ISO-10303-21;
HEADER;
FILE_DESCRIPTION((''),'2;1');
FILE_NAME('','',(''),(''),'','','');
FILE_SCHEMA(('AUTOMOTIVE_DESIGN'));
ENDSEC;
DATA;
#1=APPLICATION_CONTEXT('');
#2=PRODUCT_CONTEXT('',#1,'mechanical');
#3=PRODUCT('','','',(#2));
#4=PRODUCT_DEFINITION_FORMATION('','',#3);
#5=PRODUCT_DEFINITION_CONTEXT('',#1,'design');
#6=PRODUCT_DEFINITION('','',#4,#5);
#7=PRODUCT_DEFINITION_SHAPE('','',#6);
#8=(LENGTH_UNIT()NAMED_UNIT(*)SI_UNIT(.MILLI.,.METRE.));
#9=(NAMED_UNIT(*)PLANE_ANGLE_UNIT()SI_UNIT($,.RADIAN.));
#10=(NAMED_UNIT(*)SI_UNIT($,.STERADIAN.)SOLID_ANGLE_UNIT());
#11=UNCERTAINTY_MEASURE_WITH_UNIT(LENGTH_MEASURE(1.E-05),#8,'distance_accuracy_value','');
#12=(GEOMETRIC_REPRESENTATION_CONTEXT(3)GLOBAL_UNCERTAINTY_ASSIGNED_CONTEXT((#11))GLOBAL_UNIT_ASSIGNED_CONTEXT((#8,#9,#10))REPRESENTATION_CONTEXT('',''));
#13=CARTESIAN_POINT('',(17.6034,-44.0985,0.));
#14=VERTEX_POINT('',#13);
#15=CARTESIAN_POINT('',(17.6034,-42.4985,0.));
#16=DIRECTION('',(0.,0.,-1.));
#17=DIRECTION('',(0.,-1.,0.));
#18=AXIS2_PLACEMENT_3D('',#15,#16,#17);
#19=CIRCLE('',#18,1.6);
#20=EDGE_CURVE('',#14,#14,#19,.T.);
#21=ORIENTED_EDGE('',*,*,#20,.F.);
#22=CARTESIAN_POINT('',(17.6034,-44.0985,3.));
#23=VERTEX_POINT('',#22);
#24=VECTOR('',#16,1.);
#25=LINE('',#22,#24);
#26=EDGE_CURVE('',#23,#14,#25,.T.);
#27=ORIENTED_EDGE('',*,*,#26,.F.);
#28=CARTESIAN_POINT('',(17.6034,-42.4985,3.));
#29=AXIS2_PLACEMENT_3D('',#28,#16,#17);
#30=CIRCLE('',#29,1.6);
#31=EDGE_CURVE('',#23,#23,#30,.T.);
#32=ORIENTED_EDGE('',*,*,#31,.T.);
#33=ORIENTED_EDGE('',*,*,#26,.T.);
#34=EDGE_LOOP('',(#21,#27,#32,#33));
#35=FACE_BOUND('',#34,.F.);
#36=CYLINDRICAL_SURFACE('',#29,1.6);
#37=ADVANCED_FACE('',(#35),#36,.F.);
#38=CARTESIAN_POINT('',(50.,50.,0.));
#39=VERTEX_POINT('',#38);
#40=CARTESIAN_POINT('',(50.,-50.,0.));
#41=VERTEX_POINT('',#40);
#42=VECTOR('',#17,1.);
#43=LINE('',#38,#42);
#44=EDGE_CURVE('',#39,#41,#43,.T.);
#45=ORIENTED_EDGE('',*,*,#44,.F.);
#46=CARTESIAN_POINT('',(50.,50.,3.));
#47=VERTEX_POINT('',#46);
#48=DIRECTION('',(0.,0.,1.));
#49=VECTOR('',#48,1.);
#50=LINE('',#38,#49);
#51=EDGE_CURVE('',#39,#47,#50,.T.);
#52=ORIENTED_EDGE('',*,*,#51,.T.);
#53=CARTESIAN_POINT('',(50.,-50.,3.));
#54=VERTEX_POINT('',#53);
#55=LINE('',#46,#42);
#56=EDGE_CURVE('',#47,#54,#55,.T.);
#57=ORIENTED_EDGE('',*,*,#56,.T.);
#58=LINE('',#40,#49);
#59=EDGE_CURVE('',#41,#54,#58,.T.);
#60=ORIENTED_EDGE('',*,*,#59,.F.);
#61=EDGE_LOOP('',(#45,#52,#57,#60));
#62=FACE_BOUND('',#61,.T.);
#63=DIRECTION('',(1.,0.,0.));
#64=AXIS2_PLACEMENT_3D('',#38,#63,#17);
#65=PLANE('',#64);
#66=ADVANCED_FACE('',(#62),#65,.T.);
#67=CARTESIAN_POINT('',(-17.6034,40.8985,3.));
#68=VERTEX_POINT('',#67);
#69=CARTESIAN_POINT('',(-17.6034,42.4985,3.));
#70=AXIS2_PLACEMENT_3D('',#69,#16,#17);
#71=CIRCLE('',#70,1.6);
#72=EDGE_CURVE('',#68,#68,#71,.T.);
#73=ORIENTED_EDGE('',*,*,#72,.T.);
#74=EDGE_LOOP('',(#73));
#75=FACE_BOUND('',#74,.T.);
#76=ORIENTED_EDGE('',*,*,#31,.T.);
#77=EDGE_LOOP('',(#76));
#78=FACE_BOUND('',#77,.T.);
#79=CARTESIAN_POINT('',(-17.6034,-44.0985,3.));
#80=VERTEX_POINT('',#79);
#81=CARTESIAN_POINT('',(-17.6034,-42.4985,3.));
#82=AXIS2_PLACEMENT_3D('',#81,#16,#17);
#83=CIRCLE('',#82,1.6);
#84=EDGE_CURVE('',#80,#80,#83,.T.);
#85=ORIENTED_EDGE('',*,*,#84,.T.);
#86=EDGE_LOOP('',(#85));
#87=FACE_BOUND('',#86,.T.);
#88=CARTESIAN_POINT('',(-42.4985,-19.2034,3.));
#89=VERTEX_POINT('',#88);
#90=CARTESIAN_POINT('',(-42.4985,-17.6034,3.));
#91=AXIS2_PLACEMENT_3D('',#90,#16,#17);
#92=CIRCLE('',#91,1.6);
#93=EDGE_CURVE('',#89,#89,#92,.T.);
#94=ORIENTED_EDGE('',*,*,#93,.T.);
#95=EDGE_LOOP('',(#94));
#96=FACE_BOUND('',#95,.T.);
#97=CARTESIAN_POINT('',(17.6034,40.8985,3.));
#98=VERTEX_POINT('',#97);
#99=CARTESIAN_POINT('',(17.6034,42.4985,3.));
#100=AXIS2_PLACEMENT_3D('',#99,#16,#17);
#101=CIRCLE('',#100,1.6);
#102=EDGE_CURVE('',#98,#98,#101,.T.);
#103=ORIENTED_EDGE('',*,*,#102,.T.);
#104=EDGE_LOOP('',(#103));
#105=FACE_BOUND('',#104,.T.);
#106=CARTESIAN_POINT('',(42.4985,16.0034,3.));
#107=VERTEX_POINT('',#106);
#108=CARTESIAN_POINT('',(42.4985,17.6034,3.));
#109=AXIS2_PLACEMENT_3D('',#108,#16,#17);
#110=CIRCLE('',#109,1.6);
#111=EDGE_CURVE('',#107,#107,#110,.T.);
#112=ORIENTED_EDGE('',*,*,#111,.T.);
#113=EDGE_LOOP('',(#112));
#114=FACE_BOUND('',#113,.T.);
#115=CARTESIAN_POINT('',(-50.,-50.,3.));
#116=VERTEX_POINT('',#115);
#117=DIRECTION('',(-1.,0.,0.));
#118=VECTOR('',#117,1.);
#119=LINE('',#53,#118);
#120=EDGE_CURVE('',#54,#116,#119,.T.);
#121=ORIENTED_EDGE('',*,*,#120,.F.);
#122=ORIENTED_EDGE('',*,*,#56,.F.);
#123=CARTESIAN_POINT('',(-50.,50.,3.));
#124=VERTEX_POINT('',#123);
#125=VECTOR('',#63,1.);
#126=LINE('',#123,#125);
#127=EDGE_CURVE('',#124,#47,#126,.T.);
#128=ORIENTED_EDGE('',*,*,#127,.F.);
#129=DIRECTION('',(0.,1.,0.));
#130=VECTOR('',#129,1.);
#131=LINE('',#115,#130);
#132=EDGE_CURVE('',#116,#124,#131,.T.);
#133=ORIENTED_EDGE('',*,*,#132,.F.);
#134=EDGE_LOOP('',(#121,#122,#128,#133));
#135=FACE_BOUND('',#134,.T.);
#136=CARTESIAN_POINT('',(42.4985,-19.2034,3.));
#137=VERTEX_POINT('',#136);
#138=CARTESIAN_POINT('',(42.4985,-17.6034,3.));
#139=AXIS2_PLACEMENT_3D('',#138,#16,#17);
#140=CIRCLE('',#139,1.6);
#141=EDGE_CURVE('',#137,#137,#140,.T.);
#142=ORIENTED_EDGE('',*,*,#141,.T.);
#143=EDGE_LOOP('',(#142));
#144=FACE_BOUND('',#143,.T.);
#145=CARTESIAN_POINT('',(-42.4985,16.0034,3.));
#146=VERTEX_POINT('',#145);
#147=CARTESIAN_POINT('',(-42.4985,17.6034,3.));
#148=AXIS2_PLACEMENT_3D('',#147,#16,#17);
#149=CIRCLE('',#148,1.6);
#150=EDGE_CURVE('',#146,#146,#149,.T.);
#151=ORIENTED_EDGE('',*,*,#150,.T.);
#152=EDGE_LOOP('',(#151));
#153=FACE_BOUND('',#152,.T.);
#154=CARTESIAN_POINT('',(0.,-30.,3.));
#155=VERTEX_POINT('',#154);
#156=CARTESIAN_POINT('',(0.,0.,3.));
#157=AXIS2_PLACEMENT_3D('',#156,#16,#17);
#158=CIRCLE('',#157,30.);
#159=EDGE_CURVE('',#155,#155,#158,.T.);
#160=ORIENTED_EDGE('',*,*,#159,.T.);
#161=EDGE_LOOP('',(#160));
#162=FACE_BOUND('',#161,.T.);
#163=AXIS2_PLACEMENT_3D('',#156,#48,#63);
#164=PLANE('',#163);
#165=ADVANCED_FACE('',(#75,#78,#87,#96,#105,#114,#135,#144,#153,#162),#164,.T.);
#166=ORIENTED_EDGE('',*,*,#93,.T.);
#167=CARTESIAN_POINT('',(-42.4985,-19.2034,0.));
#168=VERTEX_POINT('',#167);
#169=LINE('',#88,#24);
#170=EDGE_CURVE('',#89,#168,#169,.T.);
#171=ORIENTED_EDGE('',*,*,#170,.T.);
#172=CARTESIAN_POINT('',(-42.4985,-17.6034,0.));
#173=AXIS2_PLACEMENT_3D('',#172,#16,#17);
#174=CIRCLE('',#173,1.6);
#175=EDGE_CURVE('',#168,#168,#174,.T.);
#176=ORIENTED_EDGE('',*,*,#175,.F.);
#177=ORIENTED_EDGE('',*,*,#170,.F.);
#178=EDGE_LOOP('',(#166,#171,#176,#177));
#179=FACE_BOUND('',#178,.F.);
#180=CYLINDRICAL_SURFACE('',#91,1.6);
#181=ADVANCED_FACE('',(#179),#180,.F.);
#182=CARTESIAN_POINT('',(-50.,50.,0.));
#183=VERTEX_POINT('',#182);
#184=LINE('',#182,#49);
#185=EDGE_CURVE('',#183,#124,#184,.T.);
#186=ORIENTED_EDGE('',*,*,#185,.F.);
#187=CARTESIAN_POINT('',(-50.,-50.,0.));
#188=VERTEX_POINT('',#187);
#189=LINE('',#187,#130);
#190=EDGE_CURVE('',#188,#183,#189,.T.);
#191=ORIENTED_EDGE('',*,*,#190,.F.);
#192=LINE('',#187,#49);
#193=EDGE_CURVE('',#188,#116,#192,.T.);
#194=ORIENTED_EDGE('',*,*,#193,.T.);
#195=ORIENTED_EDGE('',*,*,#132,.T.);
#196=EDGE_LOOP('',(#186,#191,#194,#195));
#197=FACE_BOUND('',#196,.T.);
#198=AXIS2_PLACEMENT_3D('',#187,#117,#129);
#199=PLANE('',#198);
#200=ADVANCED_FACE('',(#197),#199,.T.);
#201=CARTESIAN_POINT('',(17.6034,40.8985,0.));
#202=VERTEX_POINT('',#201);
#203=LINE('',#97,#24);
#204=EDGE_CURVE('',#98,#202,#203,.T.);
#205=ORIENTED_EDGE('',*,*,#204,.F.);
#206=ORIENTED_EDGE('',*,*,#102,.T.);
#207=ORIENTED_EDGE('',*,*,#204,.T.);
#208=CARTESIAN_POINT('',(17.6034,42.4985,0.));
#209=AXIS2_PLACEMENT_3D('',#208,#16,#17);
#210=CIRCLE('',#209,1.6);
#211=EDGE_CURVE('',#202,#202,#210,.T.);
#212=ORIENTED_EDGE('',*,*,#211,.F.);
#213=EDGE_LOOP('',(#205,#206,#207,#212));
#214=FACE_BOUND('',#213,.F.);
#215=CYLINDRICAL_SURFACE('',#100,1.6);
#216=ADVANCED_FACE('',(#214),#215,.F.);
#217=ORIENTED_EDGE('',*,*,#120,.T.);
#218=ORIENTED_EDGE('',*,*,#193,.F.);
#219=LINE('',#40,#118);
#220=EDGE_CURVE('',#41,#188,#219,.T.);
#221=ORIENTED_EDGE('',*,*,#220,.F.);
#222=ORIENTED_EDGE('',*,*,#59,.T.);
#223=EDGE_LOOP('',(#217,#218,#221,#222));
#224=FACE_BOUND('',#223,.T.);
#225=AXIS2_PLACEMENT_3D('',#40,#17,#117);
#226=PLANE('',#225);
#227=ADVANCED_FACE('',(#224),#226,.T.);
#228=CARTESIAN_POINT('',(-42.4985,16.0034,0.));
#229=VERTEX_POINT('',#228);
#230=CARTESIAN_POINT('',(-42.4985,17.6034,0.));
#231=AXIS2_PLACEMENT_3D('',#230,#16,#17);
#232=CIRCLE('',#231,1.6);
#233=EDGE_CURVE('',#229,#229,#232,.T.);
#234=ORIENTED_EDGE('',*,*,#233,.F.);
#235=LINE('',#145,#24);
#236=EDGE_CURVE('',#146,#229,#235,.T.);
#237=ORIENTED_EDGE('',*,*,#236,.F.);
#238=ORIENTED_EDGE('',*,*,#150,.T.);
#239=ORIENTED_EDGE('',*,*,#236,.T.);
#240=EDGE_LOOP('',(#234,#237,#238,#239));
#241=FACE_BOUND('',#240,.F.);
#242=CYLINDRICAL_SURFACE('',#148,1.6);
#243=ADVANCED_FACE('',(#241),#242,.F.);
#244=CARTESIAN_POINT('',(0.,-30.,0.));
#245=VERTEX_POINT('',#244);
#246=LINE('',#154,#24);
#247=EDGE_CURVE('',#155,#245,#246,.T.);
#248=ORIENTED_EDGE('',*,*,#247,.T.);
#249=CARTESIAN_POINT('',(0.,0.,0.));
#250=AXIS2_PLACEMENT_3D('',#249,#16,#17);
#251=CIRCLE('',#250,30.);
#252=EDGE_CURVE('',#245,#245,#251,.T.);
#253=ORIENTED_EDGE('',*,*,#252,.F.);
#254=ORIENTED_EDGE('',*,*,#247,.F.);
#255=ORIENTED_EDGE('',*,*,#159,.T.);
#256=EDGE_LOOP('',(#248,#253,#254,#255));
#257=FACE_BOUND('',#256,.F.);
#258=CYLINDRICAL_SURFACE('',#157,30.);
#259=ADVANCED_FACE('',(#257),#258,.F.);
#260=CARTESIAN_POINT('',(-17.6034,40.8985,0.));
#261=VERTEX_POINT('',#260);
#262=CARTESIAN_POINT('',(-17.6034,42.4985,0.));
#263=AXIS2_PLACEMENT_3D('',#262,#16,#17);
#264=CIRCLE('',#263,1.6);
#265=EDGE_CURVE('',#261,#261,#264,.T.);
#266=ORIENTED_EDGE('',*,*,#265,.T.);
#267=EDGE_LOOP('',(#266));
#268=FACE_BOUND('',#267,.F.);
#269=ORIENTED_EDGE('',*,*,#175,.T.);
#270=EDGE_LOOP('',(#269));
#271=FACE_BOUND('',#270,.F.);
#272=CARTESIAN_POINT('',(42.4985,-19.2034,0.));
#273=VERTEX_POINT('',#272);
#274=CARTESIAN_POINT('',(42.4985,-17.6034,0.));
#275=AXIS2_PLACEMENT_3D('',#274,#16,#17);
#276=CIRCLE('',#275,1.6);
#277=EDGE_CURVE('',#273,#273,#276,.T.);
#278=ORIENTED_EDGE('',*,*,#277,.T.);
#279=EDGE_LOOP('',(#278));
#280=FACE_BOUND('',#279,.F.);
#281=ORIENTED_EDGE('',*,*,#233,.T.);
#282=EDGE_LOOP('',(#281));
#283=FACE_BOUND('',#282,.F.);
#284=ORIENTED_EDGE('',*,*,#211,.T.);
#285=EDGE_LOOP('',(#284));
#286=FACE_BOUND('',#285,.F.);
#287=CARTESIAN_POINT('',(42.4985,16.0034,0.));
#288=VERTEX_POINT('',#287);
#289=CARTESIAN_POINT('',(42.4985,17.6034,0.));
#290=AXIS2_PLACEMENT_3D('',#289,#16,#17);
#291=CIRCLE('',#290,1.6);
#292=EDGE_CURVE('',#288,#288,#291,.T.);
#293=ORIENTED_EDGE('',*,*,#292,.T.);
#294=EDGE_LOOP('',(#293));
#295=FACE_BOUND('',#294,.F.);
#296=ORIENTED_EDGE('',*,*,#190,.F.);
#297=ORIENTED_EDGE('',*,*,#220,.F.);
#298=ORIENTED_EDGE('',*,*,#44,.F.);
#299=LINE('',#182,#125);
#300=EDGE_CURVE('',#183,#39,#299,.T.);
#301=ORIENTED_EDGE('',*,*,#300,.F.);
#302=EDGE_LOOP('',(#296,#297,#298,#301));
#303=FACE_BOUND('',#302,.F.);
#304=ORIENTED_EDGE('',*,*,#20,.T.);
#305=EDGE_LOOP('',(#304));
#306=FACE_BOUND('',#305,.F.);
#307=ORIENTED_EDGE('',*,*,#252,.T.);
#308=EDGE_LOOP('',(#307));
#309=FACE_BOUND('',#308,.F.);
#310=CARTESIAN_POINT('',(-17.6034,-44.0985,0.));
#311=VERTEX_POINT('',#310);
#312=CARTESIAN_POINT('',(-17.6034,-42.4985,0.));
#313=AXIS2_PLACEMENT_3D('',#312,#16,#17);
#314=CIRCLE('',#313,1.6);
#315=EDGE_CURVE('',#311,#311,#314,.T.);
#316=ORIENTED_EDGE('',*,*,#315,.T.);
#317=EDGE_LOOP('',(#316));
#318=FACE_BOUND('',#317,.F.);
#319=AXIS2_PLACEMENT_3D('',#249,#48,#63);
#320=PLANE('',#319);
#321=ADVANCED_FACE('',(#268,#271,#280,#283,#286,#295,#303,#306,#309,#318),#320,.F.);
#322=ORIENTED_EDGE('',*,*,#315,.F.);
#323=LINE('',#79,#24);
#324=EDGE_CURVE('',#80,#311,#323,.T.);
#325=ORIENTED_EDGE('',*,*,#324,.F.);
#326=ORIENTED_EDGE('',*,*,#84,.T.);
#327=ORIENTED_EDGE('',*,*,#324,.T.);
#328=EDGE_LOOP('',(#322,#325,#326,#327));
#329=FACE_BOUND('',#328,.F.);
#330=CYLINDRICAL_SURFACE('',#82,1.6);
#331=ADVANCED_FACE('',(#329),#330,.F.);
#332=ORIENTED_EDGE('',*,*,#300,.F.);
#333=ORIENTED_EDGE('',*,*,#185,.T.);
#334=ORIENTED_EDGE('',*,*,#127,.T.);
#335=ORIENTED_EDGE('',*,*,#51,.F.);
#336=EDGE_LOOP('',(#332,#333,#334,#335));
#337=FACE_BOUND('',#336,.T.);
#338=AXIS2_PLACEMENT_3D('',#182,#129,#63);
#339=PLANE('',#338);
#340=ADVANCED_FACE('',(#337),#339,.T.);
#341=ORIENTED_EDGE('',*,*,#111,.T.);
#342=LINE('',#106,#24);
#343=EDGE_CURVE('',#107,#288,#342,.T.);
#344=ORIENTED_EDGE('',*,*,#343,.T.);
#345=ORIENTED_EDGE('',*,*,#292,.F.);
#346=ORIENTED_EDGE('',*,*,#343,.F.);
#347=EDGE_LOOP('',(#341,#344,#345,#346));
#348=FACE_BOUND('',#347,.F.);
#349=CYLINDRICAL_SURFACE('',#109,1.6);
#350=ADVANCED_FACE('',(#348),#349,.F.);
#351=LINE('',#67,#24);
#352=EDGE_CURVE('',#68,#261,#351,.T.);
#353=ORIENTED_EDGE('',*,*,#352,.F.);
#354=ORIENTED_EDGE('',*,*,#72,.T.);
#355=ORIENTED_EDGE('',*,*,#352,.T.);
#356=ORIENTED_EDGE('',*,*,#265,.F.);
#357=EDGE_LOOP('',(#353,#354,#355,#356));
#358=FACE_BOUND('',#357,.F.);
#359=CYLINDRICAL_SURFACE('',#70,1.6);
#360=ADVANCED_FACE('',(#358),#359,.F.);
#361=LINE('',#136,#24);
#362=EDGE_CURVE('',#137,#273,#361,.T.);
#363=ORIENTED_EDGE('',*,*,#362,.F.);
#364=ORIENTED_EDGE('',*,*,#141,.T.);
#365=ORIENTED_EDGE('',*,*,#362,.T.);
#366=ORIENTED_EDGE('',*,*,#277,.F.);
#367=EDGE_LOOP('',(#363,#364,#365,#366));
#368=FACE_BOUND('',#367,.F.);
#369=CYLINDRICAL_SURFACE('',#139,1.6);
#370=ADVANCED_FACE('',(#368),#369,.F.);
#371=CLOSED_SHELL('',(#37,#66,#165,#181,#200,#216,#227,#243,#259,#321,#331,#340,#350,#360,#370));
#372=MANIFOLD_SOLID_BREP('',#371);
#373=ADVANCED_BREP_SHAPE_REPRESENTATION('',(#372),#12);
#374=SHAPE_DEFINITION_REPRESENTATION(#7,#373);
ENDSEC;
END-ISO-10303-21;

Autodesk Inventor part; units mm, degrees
ref_plane "YZ Plane" through (0, 0, 0) normal (1, 0, 0) x (0, 1, 0)
ref_plane "XZ Plane" through (0, 0, 0) normal (0, 1, 0) x (-1, 0, 0)
ref_plane "XY Plane" through (0, 0, 0) normal (0, 0, 1) x (1, 0, 0)
sketch "スケッチ1" plane through (0, 0, 0) normal (0, 0, 1) x (1, 0, 0)
  line L0 (-50, 50) -> (50, 50)
  line L1 (50, 50) -> (50, -50)
  line L2 (50, -50) -> (-50, -50)
  line L3 (-50, -50) -> (-50, 50)
  line L4 (0, 0) -> (0, 50) construction
  line L5 (0, 0) -> (50, 0) construction
  dimension "d0" = 100
  dimension "d1" = 100
extrude "押し出し1" add sketch "スケッチ1" along normal blind 3
sketch "スケッチ2" plane through (0, 0, 3) normal (0, 0, 1) x (1, 0, 0)
  point P0 (0, 0)
  point P1 (0, 0)
hole "穴1" at (0, 0, 3) direction (0, 0, -1) diameter 60 end through all
sketch "スケッチ3" plane through (0, 0, 3) normal (0, 0, 1) x (1, 0, 0)
  line L0 (0, 0) -> (0, 50) construction
  line L1 (50, 50) -> (-50, 50) projected
  line L2 (0, 0) -> (19.8012, 47.8043) construction
  point P0 (17.6034, 42.4985)
  point P1 (-17.6034, 42.4985)
  point P2 (-42.4985, 17.6034)
  point P3 (-42.4985, -17.6034)
  point P4 (-17.6034, -42.4985)
  point P5 (17.6034, -42.4985)
  point P6 (42.4985, -17.6034)
  point P7 (42.4985, 17.6034)
  dimension "d11" = 22.5
  dimension "d12" = 46
  dimension "d15" = 360
hole "穴2" at (17.6034, 42.4985, 3) at (-17.6034, 42.4985, 3) at (-42.4985, 17.6034, 3) at (-42.4985, -17.6034, 3) at (-17.6034, -42.4985, 3) at (17.6034, -42.4985, 3) at (42.4985, -17.6034, 3) at (42.4985, 17.6034, 3) direction (0, 0, -1) diameter 3.2 end through all
properties part number "base_plate" material "アルミニウム 6061"
